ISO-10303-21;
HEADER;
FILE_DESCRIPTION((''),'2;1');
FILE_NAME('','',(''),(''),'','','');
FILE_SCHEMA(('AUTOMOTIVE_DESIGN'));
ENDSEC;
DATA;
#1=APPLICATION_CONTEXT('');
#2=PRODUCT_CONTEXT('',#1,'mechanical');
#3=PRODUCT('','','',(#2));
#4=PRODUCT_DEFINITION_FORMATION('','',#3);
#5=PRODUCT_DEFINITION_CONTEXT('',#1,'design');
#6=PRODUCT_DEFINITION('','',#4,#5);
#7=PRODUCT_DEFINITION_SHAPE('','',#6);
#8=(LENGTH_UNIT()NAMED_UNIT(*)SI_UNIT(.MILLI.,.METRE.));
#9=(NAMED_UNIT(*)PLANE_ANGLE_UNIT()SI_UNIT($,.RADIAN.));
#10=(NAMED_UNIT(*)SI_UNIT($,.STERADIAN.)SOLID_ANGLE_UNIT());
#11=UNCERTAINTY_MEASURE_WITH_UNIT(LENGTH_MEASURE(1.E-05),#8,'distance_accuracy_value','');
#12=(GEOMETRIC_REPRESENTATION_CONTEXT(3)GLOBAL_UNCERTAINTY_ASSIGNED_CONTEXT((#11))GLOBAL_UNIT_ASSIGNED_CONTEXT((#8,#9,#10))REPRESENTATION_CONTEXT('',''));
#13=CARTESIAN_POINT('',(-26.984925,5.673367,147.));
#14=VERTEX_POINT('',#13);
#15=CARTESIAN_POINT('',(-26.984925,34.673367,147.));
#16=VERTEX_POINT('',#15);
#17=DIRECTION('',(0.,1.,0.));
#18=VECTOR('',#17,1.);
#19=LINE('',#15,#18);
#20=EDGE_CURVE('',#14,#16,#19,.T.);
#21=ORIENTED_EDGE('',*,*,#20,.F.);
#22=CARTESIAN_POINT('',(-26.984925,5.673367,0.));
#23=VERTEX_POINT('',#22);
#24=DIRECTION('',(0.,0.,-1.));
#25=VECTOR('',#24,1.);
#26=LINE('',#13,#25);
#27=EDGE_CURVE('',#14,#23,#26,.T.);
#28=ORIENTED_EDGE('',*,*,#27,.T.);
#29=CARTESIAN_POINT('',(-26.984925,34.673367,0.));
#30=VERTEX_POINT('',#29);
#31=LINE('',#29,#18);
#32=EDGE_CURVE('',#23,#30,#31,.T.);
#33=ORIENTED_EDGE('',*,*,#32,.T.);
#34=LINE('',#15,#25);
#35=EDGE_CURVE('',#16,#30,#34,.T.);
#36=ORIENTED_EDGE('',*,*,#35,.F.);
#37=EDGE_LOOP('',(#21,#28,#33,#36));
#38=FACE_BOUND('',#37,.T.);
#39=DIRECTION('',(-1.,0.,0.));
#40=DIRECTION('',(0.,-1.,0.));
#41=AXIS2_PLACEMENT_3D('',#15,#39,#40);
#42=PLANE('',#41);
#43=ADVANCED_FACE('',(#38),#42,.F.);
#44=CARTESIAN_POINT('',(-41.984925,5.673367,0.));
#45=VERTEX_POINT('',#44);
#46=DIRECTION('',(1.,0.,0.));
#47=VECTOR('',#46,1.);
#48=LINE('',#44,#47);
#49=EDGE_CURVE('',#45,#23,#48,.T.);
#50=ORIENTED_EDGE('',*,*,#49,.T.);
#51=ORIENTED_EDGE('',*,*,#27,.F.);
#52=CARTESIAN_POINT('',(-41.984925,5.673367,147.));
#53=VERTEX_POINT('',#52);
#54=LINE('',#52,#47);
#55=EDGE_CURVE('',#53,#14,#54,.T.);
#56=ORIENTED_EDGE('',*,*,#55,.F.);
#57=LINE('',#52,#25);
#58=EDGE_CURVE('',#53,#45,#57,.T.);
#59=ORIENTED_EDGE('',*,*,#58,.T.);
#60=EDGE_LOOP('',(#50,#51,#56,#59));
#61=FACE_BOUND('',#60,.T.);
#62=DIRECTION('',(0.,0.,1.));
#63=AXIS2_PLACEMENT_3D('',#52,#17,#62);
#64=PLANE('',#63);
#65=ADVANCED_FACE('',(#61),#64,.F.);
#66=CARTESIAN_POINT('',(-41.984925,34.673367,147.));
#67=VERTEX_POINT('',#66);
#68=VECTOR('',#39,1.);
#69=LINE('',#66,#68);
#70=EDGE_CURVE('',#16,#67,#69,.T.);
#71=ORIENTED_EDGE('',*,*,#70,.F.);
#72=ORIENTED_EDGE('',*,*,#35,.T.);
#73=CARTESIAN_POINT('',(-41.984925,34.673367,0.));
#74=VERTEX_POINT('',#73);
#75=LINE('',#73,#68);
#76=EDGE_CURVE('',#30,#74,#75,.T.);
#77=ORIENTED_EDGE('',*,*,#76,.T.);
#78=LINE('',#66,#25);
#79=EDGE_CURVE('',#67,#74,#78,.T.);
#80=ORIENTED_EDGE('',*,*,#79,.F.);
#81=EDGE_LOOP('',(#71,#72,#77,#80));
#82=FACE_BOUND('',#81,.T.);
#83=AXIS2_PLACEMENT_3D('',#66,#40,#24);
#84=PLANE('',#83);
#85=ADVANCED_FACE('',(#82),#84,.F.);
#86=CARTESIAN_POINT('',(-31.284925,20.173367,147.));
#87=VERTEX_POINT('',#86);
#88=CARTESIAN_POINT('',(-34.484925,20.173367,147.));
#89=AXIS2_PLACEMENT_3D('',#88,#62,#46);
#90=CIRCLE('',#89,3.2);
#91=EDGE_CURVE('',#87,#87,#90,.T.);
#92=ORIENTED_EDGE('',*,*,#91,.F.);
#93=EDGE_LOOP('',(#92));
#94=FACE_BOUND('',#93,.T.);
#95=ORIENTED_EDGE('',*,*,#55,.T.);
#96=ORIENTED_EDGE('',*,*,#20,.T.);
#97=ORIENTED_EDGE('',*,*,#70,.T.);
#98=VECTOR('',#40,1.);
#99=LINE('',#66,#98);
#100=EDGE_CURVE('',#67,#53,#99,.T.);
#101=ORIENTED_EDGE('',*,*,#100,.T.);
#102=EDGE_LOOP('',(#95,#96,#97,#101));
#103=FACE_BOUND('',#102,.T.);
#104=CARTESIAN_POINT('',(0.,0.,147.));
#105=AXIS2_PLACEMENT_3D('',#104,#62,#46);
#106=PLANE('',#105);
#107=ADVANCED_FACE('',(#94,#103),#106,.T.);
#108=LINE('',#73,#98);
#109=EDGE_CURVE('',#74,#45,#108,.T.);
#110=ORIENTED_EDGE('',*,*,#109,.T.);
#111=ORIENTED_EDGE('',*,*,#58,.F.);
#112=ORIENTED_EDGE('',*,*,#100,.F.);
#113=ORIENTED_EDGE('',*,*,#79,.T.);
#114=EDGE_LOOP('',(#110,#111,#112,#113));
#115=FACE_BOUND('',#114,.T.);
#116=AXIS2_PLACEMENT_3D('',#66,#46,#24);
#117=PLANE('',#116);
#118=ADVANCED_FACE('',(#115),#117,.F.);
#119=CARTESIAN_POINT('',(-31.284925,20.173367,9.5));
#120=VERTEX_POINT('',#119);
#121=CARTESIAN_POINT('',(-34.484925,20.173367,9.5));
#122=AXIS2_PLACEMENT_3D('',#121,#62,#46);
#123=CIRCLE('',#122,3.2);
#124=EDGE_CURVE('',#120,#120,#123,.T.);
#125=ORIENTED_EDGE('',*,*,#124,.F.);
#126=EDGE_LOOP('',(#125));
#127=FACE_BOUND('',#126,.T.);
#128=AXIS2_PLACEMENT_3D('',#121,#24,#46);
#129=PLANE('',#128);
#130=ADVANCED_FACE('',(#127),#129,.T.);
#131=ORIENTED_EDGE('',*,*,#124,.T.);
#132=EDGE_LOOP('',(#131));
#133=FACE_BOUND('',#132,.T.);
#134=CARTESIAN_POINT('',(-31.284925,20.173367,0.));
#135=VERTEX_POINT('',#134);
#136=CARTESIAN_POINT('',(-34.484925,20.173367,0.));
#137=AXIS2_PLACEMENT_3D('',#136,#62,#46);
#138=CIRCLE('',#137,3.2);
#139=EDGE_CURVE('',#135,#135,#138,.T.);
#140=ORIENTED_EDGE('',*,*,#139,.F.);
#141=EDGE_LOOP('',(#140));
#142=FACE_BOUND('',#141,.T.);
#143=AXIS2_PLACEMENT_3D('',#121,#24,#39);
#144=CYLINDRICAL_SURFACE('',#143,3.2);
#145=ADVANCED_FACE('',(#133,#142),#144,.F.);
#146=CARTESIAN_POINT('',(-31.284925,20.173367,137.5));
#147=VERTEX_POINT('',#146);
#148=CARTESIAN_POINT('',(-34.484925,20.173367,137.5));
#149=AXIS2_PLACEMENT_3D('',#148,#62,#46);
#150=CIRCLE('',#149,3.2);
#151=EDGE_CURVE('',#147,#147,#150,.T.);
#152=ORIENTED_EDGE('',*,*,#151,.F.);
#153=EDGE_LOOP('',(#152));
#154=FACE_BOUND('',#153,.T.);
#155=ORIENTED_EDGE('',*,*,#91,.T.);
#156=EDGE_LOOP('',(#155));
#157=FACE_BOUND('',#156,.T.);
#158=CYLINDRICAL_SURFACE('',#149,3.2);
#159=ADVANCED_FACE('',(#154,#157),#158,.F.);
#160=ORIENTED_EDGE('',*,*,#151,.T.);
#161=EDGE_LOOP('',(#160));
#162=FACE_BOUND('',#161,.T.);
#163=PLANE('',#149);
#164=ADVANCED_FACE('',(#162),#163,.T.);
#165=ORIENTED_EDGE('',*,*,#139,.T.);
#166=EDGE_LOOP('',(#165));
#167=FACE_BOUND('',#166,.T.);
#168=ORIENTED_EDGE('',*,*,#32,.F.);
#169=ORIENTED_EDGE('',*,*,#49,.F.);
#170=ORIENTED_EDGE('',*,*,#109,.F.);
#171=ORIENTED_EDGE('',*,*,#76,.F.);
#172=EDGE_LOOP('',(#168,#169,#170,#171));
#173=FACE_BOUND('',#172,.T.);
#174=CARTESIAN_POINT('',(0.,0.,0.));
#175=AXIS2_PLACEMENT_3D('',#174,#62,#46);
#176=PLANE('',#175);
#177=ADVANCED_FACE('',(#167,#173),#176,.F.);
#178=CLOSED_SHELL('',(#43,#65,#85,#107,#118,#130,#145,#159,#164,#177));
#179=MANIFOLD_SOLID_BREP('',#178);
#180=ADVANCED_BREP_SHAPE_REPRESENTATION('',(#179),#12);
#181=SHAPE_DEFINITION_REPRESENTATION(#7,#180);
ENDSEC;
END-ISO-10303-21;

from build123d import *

# Parameters (mm, degrees)
SKETCH1_W           = 15
SKETCH1_H           = 29
BOSS_EXTRUDE1_DEPTH = 147
SKETCH2_R           = 3.2
CUT_EXTRUDE1_DEPTH  = 9.5


with BuildPart() as part:
    # Sketch1 → Boss-Extrude1 (new body)
    with BuildSketch(Plane.XY):
        with Locations((-34.484924623, 20.173366834)):
            Rectangle(SKETCH1_W, SKETCH1_H)
    extrude(amount=BOSS_EXTRUDE1_DEPTH)

    # Sketch2 → Cut-Extrude1 (cut)
    with BuildSketch(Plane.XY.offset(147)):
        with Locations((-34.484924623, 20.173366834)):
            Circle(SKETCH2_R)
    cut_extrude1 = extrude(amount=-CUT_EXTRUDE1_DEPTH, mode=Mode.SUBTRACT)

    # Mirror1: Cut-Extrude1 across plane
    add(cut_extrude1.mirror(Plane.XY.offset(73.5)), mode=Mode.SUBTRACT)


solid = part.part
